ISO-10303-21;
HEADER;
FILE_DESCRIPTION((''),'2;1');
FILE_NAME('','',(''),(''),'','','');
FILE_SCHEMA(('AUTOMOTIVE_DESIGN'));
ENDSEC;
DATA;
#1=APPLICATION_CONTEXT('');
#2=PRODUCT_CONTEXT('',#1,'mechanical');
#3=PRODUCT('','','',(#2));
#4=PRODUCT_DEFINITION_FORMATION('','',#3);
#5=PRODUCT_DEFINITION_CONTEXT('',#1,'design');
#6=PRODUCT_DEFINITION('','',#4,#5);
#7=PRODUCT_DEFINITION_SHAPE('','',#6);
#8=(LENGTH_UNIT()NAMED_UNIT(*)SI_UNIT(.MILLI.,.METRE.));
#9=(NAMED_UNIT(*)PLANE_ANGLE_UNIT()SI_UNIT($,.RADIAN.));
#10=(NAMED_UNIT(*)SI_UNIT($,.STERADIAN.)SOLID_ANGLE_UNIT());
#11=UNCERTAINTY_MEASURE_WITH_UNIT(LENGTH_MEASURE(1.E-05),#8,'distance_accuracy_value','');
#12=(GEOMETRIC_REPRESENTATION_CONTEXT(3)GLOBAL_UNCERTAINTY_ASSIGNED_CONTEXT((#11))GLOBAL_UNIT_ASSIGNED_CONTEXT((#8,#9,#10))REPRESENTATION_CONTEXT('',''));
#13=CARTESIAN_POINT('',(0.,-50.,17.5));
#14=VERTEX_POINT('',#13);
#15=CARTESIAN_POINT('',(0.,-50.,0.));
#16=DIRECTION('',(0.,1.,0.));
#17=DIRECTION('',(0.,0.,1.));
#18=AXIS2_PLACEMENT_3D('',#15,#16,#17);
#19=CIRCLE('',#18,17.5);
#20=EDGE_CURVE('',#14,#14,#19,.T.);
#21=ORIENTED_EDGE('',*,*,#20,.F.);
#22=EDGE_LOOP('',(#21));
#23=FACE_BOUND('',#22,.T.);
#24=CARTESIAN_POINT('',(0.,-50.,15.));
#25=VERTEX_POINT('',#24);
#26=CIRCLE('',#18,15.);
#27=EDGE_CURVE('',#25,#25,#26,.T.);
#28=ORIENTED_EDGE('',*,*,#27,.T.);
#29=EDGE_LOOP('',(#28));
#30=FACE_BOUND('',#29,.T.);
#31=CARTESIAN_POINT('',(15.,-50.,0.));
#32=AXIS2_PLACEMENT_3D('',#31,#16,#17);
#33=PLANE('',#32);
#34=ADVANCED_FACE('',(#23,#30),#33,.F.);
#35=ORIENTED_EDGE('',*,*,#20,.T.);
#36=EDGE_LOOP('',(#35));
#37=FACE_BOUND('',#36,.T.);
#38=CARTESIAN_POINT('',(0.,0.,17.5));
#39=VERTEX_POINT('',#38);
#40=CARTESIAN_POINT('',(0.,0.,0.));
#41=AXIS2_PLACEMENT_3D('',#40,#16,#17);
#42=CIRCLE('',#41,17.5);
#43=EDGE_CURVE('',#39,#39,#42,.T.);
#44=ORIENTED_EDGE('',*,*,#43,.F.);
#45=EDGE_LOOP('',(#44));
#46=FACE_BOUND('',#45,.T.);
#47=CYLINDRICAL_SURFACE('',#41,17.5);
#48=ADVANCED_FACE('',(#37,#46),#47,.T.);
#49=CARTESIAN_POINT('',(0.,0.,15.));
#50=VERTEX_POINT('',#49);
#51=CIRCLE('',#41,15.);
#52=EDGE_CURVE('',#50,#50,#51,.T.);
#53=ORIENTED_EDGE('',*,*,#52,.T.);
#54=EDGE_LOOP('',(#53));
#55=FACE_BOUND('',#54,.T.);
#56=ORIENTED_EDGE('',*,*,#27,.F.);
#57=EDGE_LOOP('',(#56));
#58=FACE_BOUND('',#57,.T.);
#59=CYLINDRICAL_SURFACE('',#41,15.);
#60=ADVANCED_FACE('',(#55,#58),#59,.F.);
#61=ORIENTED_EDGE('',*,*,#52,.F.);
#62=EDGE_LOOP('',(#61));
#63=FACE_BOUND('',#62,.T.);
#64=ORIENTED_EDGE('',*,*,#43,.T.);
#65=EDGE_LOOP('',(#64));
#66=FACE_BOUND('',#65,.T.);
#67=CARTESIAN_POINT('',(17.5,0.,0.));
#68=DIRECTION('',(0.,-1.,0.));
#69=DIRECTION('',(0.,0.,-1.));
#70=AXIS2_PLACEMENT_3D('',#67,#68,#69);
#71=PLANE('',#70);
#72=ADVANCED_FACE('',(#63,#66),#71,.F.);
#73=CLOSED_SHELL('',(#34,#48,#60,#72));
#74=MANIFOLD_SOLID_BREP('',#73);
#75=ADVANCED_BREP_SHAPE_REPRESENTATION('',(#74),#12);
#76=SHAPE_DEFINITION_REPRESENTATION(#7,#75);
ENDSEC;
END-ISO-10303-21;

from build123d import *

# Parameters (mm, degrees)
SKETCH_2_W = 2.5
SKETCH_2_H = 50


with BuildPart() as part:
    # 草图2 → 旋转1 (revolve)
    with BuildSketch(Plane.XY):
        with Locations((16.25, -25)):
            Rectangle(SKETCH_2_W, SKETCH_2_H)
    revolve(axis=Axis((0, 0, 0), (0, -1, 0)))


solid = part.part
